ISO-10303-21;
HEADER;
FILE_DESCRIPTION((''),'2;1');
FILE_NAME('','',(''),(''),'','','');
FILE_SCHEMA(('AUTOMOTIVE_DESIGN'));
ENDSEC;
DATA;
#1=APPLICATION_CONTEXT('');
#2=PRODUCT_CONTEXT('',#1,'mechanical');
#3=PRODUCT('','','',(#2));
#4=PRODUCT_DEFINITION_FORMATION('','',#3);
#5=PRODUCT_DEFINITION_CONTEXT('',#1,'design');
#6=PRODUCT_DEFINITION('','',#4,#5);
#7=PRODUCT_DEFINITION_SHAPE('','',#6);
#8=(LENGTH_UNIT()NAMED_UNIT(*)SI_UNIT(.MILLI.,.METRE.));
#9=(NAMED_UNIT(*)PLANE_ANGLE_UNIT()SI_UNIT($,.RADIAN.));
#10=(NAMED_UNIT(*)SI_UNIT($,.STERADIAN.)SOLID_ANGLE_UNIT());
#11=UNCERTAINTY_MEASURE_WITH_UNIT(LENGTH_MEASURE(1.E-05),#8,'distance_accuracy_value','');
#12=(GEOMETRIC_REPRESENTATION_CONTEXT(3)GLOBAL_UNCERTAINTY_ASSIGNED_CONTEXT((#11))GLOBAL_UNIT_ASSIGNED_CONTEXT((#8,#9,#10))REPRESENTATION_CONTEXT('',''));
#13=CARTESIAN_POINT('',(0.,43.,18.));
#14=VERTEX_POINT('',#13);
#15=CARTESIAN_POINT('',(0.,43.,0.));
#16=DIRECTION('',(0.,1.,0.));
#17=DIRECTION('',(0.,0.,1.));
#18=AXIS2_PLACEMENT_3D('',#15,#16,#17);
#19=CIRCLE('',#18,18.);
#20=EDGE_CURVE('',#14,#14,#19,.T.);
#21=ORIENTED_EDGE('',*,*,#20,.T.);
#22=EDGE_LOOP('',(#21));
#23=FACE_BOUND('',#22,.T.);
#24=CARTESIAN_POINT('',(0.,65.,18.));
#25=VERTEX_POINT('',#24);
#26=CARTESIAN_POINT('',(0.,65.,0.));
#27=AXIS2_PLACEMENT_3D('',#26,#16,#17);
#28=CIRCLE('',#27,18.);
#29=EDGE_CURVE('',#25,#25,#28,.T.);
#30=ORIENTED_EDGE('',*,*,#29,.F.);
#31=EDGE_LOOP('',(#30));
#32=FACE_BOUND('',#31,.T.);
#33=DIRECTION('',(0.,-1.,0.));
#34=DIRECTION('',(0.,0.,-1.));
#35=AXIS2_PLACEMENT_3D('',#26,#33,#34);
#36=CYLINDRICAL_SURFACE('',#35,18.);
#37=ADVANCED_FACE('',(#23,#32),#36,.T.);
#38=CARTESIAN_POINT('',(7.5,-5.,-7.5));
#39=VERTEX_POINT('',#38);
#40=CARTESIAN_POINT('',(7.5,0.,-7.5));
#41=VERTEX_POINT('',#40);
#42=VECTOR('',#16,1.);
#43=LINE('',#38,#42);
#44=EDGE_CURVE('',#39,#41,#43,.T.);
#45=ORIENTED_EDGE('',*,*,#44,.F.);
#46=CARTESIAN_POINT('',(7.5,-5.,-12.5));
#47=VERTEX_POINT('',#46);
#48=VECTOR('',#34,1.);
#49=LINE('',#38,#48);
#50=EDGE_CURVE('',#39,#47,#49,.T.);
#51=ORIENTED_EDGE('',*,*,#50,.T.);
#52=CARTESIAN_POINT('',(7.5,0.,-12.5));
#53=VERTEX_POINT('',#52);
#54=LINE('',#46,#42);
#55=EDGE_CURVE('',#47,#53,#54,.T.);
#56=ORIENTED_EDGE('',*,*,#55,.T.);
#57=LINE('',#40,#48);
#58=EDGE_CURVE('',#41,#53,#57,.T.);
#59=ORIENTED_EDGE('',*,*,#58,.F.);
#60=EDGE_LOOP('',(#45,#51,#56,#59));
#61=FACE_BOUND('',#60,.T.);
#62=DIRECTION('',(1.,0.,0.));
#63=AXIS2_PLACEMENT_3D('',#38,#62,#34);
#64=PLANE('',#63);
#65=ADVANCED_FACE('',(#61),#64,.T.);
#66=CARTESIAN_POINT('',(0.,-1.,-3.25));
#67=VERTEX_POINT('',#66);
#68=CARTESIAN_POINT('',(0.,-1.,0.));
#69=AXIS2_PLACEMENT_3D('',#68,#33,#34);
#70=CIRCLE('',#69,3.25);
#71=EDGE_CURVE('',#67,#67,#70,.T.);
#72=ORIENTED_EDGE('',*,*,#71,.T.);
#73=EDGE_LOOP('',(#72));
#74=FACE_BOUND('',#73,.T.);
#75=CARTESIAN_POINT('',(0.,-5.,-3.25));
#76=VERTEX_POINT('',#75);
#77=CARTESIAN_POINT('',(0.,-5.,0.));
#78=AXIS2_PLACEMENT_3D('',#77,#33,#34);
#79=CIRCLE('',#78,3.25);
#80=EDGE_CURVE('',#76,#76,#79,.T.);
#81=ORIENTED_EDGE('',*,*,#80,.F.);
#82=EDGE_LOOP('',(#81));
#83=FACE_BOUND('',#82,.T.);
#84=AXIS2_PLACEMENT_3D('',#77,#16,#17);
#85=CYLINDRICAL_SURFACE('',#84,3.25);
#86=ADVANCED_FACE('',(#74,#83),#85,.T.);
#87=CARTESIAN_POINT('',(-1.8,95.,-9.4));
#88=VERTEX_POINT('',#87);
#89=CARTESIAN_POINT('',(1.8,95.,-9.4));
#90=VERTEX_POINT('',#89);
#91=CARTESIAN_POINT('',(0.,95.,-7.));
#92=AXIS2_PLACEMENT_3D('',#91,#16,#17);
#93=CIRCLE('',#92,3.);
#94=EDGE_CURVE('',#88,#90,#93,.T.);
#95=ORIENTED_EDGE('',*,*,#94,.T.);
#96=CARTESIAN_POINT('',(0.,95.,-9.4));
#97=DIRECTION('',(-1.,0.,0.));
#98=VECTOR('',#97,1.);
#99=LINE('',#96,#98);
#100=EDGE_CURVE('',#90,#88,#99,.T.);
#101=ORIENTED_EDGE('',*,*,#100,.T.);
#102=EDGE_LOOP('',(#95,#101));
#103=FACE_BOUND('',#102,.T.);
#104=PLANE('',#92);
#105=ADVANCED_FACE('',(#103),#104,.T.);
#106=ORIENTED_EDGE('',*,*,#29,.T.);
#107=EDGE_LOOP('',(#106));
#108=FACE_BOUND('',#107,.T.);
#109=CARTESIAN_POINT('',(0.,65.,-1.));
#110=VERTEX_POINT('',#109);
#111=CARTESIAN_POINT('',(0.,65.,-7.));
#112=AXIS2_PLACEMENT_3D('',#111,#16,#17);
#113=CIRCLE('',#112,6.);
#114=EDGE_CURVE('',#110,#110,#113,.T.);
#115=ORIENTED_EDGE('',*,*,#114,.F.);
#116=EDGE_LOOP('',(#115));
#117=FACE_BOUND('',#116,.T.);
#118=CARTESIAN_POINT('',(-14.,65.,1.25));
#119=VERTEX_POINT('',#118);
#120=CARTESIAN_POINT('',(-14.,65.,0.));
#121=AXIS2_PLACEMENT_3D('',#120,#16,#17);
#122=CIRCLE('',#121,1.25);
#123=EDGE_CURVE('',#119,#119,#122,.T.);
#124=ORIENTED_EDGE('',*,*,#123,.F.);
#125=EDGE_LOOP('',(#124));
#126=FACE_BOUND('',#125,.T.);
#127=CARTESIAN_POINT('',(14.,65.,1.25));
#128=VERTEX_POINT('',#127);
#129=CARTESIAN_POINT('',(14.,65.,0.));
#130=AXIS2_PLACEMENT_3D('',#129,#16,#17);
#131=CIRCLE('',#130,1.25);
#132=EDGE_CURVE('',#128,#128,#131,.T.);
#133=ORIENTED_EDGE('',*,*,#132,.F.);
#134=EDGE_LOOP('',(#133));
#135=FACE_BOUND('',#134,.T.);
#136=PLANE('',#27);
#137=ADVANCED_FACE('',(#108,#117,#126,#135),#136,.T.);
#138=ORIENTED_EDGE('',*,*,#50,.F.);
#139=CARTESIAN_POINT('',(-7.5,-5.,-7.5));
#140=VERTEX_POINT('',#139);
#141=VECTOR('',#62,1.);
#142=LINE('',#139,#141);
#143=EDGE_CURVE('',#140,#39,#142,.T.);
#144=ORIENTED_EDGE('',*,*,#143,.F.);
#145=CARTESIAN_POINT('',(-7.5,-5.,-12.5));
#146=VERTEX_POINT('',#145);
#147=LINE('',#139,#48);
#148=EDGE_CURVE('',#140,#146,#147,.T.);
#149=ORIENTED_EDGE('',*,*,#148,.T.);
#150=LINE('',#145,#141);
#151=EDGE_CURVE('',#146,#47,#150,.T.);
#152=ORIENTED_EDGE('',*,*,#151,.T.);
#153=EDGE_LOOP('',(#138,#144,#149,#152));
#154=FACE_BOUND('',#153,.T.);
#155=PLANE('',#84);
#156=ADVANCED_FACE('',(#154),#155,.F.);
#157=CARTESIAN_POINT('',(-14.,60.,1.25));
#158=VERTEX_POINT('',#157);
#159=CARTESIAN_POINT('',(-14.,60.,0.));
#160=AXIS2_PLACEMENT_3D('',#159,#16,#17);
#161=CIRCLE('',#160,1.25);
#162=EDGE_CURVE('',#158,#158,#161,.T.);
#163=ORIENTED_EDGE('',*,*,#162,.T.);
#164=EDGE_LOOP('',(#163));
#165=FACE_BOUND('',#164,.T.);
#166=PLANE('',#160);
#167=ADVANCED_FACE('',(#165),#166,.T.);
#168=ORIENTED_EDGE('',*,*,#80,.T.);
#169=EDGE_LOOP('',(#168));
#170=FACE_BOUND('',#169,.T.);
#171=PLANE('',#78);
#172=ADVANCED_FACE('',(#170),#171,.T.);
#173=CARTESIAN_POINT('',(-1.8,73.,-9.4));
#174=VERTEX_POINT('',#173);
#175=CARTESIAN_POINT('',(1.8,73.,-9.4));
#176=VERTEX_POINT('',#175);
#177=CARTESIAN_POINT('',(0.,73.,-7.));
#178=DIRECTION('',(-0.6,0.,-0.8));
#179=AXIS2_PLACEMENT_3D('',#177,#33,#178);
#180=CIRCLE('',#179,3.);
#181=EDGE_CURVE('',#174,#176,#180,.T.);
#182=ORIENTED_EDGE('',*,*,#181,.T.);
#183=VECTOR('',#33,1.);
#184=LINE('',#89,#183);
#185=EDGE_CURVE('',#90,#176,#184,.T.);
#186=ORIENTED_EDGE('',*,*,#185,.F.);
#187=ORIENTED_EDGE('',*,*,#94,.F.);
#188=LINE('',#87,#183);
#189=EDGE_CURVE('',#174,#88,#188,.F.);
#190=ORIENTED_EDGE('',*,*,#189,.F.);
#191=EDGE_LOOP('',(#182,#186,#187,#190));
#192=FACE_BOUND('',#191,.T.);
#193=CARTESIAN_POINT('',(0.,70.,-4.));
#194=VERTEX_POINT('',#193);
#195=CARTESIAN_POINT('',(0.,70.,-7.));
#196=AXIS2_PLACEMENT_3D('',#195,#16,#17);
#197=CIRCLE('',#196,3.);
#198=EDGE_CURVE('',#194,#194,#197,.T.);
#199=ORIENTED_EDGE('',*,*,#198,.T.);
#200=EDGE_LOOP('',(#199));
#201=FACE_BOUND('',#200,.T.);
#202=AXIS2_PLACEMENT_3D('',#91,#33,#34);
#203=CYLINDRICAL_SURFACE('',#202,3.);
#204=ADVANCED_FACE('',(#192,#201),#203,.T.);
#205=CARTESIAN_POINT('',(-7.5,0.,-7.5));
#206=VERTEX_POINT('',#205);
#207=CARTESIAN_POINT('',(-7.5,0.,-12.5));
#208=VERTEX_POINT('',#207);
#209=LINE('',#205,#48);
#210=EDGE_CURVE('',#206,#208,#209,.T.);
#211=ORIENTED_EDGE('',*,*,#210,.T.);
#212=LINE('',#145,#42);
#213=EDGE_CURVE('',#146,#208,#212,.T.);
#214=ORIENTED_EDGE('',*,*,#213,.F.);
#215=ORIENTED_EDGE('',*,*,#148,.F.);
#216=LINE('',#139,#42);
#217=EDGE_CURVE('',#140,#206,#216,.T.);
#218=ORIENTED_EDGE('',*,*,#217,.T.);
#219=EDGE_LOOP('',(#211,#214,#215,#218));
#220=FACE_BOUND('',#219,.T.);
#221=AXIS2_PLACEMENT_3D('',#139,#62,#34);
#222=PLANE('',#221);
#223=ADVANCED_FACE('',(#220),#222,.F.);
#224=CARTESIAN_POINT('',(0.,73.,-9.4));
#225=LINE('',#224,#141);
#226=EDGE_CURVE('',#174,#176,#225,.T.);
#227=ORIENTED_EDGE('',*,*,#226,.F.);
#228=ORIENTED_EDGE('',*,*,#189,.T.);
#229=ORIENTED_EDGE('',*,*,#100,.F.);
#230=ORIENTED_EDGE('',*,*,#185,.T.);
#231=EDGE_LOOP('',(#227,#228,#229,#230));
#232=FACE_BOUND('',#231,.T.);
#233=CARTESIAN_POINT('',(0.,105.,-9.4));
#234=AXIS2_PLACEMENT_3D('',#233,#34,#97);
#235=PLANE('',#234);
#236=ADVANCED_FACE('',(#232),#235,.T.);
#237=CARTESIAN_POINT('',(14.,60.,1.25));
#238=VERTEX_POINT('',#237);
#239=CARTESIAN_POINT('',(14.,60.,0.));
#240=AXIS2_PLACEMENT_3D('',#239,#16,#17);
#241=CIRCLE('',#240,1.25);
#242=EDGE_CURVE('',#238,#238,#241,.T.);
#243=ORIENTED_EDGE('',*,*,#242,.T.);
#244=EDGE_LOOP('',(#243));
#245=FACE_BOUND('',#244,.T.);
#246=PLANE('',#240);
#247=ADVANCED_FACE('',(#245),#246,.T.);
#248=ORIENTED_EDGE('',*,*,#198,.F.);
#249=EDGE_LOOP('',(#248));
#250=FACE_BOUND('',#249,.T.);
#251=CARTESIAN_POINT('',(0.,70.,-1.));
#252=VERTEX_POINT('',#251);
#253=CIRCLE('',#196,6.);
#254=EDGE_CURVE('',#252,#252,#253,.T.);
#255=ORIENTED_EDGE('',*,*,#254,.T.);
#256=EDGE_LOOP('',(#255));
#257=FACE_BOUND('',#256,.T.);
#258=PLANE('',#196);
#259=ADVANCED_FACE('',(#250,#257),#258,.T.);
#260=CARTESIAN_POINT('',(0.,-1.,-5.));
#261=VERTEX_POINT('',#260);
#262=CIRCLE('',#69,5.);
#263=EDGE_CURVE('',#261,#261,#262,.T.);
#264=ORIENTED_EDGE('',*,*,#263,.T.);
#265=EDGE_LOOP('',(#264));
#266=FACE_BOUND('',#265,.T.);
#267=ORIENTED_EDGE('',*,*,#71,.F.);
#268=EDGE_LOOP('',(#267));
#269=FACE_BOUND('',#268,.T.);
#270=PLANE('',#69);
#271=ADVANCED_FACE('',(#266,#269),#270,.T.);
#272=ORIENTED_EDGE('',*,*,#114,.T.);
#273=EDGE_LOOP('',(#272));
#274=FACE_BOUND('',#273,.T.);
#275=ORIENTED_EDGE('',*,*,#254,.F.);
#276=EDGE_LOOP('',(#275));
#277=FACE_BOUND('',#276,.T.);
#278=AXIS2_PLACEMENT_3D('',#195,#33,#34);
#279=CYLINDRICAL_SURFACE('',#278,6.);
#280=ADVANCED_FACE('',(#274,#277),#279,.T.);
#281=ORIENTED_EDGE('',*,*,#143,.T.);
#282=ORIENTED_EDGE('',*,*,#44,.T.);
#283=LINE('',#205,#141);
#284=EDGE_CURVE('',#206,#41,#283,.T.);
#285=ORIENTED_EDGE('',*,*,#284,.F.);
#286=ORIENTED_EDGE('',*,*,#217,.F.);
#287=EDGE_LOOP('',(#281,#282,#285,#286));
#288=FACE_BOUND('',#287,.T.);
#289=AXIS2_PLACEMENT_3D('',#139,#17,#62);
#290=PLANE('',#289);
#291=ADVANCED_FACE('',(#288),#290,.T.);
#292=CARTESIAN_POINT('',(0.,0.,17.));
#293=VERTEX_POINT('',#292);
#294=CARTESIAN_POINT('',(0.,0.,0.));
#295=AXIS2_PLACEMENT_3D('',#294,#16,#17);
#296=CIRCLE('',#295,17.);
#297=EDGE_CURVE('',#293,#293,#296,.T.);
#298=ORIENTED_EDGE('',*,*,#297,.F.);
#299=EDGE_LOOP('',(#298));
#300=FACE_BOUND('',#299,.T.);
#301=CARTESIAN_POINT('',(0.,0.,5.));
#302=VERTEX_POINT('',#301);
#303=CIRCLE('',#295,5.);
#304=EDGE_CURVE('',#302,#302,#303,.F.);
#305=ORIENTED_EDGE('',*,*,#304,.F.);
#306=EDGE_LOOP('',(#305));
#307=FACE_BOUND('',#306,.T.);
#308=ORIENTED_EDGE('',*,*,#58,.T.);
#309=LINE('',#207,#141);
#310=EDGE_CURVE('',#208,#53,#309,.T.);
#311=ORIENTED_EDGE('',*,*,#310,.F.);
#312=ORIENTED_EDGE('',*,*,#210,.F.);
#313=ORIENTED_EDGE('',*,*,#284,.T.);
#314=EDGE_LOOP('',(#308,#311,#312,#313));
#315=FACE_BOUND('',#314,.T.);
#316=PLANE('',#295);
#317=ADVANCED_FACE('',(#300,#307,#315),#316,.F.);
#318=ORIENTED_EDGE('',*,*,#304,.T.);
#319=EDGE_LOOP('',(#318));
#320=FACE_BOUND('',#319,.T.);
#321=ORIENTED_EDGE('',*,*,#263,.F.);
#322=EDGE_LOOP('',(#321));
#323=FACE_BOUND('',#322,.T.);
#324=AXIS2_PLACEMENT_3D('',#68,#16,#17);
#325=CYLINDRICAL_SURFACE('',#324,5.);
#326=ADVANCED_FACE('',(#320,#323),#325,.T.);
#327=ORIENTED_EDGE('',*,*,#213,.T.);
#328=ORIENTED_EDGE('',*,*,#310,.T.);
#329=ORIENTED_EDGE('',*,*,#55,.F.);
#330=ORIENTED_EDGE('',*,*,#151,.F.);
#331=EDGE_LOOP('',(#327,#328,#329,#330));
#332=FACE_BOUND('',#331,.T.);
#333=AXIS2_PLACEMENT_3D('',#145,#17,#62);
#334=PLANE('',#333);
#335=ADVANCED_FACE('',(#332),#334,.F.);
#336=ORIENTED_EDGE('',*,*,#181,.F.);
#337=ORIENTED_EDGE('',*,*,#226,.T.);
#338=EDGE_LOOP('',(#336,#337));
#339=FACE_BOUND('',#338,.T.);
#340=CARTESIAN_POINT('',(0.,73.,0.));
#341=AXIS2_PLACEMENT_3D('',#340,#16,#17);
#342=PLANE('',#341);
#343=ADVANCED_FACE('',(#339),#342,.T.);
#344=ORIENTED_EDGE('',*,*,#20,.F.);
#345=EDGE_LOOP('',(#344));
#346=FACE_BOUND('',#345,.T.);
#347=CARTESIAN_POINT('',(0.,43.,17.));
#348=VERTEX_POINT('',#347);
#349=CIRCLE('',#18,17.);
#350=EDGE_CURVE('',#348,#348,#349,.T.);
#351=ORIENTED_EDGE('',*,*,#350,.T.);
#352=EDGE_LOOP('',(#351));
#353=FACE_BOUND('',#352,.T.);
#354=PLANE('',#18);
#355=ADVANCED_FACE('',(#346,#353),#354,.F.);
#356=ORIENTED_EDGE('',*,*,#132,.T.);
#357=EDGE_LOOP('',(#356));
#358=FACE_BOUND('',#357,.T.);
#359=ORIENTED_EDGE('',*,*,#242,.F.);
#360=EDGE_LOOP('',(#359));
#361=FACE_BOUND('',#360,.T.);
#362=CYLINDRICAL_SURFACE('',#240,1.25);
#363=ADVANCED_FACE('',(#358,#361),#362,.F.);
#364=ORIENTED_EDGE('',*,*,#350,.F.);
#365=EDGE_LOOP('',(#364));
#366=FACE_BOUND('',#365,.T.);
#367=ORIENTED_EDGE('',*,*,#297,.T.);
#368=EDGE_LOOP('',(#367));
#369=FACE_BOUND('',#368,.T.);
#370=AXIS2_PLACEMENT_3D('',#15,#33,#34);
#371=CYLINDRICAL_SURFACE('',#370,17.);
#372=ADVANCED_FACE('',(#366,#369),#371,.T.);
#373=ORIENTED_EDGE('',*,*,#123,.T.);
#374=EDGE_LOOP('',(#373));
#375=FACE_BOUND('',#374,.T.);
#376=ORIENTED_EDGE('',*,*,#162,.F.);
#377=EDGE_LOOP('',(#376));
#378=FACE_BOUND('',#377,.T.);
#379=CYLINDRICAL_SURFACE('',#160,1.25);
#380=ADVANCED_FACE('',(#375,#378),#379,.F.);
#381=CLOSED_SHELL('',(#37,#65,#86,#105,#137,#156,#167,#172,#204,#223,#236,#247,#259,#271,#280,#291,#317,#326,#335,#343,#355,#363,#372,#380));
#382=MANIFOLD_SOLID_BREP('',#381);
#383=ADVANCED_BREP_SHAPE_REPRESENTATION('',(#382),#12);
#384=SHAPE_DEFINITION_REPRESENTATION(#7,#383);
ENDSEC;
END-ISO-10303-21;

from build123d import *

# Parameters (mm, degrees)
ESQUISSE1_R                  = 17
BOSS_EXTRU_1_DEPTH           = 43
ESQUISSE2_R                  = 18
BOSS_EXTRU_2_DEPTH           = 22
ESQUISSE3_R                  = 6
BOSS_EXTRU_3_DEPTH           = 5
ESQUISSE4_R                  = 3
BOSS_EXTRU_4_DEPTH           = 25
ESQUISSE5_R                  = 1.25
ENL_V_MAT_EXTRU_1_DEPTH      = 5
ESQUISSE6_W                  = 15
ESQUISSE6_H                  = 5
BOSS_EXTRU_5_DEPTH           = 5
ENL_V_MAT_EXTRU_4_DEPTH      = 10
ENL_V_MAT_EXTRU_4_DEPTH_BACK = 22
ESQUISSE8_R                  = 5
BOSS_EXTRU_6_DEPTH           = 1
ESQUISSE9_R                  = 3.25
BOSS_EXTRU_7_DEPTH           = 4


with BuildPart() as part:
    # Esquisse1 → Boss.-Extru.1 (new body)
    with BuildSketch(Plane(origin=(0, 0, 0), x_dir=(1, 0, 0), z_dir=(0, 1, 0))):
        with Locations(Location((0, 0, 0), (0, 0, 270))):
            Circle(ESQUISSE1_R)
    extrude(amount=BOSS_EXTRU_1_DEPTH)

    # Esquisse2 → Boss.-Extru.2 (add)
    with BuildSketch(Plane(origin=(0, 43, 0), x_dir=(1, 0, 0), z_dir=(0, 1, 0))):
        with Locations(Location((0, 0, 0), (0, 0, 270))):
            Circle(ESQUISSE2_R)
    extrude(amount=BOSS_EXTRU_2_DEPTH)

    # Esquisse3 → Boss.-Extru.3 (add)
    with BuildSketch(Plane(origin=(0, 65, 0), x_dir=(1, 0, 0), z_dir=(0, 1, 0))):
        with Locations(Location((0, 7, 0), (0, 0, 270))):
            Circle(ESQUISSE3_R)
    extrude(amount=BOSS_EXTRU_3_DEPTH)

    # Esquisse4 → Boss.-Extru.4 (add)
    with BuildSketch(Plane(origin=(0, 70, 0), x_dir=(1, 0, 0), z_dir=(0, 1, 0))):
        with Locations(Location((0, 7, 0), (0, 0, 270))):
            Circle(ESQUISSE4_R)
    extrude(amount=BOSS_EXTRU_4_DEPTH)

    # Esquisse5 → Enlèv. mat.-Extru.1 (cut)
    with BuildSketch(Plane(origin=(0, 65, 0), x_dir=(1, 0, 0), z_dir=(0, 1, 0))):
        with Locations(Location((14, 0, 0), (0, 0, 270))):
            Circle(ESQUISSE5_R)
        with Locations(Location((-14, 0, 0), (0, 0, 270))):
            Circle(ESQUISSE5_R)
    extrude(amount=-ENL_V_MAT_EXTRU_1_DEPTH, mode=Mode.SUBTRACT)

    # Esquisse6 → Boss.-Extru.5 (add)
    with BuildSketch(Plane.XZ):
        with Locations((0, -10)):
            Rectangle(ESQUISSE6_W, ESQUISSE6_H)
    extrude(amount=BOSS_EXTRU_5_DEPTH)

    # Esquisse7 → Enlèv. mat.-Extru.4 (cut, two sides)
    with BuildSketch(Plane(origin=(0, 95, 0), x_dir=(1, 0, 0), z_dir=(0, 1, 0))) as enl_v_mat_extru_4_sk:
        with BuildLine():
            Line((-1.8, 9.4), (1.8, 9.4))
            ThreePointArc((1.8, 9.4), (0, 10), (-1.8, 9.4))
        make_face()
    extrude(amount=ENL_V_MAT_EXTRU_4_DEPTH, mode=Mode.SUBTRACT)
    extrude(enl_v_mat_extru_4_sk.sketch, amount=-ENL_V_MAT_EXTRU_4_DEPTH_BACK, mode=Mode.SUBTRACT)

    # Esquisse8 → Boss.-Extru.6 (add)
    with BuildSketch(Plane.XZ):
        with Locations(Location((0, 0, 0), (0, 0, 90))):
            Circle(ESQUISSE8_R)
    extrude(amount=BOSS_EXTRU_6_DEPTH)

    # Esquisse9 → Boss.-Extru.7 (add)
    with BuildSketch(Plane.XZ.offset(1)):
        with Locations(Location((0, 0, 0), (0, 0, 270))):
            Circle(ESQUISSE9_R)
    extrude(amount=BOSS_EXTRU_7_DEPTH)


solid = part.part
